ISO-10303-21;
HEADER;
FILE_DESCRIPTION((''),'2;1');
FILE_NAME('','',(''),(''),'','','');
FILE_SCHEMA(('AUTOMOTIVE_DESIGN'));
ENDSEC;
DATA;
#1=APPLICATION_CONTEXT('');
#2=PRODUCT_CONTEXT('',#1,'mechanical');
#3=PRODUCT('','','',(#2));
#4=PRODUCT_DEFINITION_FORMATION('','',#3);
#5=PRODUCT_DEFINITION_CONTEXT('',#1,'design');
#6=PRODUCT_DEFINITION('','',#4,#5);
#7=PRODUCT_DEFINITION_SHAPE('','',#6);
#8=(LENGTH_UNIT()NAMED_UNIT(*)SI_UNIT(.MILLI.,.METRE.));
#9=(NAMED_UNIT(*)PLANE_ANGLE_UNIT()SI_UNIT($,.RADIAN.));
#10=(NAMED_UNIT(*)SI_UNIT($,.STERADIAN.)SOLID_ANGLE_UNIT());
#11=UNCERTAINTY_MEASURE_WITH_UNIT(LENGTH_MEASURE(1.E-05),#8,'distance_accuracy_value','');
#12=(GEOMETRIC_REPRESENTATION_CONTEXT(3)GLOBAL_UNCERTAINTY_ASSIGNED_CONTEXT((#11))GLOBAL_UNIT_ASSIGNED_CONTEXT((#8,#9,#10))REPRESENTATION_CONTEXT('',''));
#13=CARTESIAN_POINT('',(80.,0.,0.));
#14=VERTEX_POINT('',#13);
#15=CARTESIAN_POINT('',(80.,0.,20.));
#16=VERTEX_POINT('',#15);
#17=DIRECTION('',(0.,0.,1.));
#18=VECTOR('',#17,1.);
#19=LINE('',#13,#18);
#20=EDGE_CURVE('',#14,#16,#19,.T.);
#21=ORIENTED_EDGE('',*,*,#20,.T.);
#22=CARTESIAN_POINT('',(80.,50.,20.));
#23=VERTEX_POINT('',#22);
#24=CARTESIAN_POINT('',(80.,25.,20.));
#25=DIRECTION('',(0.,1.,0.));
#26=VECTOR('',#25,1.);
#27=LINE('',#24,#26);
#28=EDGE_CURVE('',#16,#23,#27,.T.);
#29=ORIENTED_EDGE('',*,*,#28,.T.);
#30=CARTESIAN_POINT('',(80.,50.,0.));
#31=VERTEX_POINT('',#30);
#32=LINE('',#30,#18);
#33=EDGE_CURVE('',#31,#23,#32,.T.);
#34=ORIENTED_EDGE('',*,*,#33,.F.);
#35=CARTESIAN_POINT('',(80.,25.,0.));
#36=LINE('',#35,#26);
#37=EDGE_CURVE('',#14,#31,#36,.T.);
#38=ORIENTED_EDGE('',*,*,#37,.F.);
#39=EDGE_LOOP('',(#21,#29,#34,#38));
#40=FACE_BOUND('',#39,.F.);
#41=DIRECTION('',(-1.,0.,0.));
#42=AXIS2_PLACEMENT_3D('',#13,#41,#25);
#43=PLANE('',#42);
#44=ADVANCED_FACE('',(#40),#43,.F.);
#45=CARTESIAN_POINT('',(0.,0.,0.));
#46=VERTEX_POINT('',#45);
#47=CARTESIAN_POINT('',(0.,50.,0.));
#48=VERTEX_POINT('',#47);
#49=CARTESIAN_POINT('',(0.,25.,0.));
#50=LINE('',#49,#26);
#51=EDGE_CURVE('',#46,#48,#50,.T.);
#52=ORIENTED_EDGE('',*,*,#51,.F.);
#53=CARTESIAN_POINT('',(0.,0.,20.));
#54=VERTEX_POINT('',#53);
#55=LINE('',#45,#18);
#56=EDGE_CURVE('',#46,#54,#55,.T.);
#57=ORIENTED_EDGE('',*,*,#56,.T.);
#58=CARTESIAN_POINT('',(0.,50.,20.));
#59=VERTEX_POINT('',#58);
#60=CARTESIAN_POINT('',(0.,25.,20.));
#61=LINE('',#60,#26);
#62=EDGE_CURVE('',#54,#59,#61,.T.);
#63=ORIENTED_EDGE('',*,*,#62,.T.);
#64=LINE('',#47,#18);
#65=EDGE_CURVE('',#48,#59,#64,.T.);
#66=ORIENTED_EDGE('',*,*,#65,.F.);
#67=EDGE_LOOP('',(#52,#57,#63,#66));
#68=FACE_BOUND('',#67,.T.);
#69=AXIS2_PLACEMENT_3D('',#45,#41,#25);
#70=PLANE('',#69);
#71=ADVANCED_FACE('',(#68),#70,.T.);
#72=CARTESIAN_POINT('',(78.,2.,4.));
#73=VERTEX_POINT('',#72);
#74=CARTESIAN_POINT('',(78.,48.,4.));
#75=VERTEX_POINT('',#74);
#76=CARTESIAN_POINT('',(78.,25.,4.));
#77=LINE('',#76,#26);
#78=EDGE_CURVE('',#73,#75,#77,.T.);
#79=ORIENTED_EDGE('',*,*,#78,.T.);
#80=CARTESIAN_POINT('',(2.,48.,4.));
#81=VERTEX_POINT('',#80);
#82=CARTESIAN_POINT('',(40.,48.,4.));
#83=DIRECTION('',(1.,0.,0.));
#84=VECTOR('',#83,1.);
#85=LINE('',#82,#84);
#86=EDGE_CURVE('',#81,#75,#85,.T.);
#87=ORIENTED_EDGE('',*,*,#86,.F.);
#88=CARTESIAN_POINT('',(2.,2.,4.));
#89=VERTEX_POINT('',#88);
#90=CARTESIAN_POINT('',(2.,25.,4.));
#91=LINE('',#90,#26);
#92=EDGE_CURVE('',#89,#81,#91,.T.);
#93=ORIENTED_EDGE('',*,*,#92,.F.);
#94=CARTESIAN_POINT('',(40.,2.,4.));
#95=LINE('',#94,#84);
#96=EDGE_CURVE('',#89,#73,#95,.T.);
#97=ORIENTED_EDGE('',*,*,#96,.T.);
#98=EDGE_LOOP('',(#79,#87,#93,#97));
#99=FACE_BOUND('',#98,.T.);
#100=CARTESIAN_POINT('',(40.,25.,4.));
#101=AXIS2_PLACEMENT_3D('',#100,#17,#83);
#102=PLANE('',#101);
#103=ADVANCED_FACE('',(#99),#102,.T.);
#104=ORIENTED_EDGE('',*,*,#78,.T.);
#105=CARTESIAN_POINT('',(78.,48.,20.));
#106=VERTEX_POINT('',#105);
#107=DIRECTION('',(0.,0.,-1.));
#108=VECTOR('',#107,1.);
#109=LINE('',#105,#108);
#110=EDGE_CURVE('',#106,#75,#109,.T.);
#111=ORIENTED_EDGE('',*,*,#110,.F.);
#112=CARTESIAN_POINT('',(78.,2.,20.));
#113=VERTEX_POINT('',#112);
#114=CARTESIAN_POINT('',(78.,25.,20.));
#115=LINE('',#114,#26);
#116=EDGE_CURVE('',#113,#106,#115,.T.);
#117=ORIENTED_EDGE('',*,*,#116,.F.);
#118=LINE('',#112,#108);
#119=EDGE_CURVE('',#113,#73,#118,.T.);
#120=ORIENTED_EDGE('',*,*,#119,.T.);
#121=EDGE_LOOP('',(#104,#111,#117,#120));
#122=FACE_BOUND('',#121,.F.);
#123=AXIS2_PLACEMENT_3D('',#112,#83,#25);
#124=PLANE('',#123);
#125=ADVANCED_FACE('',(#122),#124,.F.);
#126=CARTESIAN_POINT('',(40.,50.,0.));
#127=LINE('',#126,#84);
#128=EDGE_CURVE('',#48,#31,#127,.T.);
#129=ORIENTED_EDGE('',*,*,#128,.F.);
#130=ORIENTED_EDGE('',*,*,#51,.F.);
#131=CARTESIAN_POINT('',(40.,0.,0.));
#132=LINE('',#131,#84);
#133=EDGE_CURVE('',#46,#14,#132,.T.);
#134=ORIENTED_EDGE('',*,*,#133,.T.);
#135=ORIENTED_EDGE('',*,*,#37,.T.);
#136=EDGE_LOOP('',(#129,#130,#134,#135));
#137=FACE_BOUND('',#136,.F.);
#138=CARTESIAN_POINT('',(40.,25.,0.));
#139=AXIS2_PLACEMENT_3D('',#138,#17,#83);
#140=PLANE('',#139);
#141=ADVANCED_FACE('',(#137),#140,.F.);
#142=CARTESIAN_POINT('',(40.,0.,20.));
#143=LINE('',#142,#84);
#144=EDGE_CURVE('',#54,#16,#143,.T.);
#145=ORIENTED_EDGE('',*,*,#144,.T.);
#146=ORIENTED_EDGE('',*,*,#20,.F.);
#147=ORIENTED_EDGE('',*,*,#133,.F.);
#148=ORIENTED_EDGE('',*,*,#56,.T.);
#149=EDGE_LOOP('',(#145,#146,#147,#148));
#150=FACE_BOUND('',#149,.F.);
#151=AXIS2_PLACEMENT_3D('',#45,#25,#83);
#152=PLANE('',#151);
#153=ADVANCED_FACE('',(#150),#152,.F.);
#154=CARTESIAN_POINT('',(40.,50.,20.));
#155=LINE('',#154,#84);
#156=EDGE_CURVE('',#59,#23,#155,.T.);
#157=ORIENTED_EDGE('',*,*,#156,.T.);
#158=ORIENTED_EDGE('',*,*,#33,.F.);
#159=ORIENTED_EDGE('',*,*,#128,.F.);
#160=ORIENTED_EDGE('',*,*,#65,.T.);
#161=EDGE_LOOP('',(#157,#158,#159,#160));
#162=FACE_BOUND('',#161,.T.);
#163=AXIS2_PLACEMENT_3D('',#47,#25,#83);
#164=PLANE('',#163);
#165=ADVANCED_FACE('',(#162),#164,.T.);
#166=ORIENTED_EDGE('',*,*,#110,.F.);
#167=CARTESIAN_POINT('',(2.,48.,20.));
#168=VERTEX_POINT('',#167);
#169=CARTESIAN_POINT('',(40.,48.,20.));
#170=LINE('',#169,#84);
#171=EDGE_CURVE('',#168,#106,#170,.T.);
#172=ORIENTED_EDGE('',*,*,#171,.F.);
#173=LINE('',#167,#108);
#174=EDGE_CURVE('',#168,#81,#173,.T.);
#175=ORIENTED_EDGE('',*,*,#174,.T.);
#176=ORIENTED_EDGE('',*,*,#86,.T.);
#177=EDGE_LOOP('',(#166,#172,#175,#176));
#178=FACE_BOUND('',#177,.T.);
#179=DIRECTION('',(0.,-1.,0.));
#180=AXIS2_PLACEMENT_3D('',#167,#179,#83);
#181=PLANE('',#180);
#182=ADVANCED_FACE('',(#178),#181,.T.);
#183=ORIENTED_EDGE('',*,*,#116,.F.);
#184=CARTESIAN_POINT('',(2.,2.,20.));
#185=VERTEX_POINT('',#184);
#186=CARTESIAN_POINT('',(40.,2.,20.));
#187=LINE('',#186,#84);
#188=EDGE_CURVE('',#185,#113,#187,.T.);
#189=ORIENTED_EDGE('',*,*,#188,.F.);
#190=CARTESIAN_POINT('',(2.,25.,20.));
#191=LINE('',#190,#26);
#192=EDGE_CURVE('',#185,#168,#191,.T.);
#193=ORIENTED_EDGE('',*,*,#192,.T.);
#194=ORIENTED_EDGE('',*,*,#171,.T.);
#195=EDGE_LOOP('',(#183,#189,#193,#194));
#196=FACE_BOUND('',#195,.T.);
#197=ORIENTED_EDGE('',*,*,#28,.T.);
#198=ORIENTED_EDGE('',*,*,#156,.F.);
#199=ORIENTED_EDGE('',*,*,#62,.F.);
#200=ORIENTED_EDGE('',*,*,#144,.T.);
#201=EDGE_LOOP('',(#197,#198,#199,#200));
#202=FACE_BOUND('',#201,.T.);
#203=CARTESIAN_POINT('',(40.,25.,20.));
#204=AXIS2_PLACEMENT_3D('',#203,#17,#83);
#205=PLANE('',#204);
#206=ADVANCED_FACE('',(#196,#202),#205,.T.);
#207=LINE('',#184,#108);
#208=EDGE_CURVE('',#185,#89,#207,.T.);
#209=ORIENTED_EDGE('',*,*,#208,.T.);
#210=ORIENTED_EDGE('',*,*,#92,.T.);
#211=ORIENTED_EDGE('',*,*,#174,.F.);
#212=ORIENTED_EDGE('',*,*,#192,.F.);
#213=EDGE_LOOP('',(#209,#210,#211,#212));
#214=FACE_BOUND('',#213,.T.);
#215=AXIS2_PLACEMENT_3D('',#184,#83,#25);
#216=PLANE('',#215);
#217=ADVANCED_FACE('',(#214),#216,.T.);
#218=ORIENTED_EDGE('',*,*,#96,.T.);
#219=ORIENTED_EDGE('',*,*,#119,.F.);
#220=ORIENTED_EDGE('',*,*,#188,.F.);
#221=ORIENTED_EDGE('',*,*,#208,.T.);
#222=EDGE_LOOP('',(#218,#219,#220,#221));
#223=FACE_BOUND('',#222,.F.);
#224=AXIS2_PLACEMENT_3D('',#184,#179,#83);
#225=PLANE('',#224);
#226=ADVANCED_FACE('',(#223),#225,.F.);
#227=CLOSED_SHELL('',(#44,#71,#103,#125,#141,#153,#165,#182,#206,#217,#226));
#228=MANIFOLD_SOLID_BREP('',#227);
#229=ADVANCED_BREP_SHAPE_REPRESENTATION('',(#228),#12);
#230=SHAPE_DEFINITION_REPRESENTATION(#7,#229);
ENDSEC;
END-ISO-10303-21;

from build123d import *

# Parameters (mm, degrees)
SKETCH_W     = 80
SKETCH_H     = 50
PAD_DEPTH    = 20
SKETCH001_W  = 76
SKETCH001_H  = 46
POCKET_DEPTH = 16


with BuildPart() as part:
    # Sketch → Pad (new body)
    with BuildSketch(Plane.XY):
        with Locations((40, 25)):
            Rectangle(SKETCH_W, SKETCH_H)
    extrude(amount=PAD_DEPTH)

    # Sketch001 (on Face6 of Pad) → Pocket (cut)
    with BuildSketch(Plane.XY.offset(20)):
        with Locations((40, 25)):
            Rectangle(SKETCH001_W, SKETCH001_H)
    extrude(amount=-POCKET_DEPTH, mode=Mode.SUBTRACT)


solid = part.part
